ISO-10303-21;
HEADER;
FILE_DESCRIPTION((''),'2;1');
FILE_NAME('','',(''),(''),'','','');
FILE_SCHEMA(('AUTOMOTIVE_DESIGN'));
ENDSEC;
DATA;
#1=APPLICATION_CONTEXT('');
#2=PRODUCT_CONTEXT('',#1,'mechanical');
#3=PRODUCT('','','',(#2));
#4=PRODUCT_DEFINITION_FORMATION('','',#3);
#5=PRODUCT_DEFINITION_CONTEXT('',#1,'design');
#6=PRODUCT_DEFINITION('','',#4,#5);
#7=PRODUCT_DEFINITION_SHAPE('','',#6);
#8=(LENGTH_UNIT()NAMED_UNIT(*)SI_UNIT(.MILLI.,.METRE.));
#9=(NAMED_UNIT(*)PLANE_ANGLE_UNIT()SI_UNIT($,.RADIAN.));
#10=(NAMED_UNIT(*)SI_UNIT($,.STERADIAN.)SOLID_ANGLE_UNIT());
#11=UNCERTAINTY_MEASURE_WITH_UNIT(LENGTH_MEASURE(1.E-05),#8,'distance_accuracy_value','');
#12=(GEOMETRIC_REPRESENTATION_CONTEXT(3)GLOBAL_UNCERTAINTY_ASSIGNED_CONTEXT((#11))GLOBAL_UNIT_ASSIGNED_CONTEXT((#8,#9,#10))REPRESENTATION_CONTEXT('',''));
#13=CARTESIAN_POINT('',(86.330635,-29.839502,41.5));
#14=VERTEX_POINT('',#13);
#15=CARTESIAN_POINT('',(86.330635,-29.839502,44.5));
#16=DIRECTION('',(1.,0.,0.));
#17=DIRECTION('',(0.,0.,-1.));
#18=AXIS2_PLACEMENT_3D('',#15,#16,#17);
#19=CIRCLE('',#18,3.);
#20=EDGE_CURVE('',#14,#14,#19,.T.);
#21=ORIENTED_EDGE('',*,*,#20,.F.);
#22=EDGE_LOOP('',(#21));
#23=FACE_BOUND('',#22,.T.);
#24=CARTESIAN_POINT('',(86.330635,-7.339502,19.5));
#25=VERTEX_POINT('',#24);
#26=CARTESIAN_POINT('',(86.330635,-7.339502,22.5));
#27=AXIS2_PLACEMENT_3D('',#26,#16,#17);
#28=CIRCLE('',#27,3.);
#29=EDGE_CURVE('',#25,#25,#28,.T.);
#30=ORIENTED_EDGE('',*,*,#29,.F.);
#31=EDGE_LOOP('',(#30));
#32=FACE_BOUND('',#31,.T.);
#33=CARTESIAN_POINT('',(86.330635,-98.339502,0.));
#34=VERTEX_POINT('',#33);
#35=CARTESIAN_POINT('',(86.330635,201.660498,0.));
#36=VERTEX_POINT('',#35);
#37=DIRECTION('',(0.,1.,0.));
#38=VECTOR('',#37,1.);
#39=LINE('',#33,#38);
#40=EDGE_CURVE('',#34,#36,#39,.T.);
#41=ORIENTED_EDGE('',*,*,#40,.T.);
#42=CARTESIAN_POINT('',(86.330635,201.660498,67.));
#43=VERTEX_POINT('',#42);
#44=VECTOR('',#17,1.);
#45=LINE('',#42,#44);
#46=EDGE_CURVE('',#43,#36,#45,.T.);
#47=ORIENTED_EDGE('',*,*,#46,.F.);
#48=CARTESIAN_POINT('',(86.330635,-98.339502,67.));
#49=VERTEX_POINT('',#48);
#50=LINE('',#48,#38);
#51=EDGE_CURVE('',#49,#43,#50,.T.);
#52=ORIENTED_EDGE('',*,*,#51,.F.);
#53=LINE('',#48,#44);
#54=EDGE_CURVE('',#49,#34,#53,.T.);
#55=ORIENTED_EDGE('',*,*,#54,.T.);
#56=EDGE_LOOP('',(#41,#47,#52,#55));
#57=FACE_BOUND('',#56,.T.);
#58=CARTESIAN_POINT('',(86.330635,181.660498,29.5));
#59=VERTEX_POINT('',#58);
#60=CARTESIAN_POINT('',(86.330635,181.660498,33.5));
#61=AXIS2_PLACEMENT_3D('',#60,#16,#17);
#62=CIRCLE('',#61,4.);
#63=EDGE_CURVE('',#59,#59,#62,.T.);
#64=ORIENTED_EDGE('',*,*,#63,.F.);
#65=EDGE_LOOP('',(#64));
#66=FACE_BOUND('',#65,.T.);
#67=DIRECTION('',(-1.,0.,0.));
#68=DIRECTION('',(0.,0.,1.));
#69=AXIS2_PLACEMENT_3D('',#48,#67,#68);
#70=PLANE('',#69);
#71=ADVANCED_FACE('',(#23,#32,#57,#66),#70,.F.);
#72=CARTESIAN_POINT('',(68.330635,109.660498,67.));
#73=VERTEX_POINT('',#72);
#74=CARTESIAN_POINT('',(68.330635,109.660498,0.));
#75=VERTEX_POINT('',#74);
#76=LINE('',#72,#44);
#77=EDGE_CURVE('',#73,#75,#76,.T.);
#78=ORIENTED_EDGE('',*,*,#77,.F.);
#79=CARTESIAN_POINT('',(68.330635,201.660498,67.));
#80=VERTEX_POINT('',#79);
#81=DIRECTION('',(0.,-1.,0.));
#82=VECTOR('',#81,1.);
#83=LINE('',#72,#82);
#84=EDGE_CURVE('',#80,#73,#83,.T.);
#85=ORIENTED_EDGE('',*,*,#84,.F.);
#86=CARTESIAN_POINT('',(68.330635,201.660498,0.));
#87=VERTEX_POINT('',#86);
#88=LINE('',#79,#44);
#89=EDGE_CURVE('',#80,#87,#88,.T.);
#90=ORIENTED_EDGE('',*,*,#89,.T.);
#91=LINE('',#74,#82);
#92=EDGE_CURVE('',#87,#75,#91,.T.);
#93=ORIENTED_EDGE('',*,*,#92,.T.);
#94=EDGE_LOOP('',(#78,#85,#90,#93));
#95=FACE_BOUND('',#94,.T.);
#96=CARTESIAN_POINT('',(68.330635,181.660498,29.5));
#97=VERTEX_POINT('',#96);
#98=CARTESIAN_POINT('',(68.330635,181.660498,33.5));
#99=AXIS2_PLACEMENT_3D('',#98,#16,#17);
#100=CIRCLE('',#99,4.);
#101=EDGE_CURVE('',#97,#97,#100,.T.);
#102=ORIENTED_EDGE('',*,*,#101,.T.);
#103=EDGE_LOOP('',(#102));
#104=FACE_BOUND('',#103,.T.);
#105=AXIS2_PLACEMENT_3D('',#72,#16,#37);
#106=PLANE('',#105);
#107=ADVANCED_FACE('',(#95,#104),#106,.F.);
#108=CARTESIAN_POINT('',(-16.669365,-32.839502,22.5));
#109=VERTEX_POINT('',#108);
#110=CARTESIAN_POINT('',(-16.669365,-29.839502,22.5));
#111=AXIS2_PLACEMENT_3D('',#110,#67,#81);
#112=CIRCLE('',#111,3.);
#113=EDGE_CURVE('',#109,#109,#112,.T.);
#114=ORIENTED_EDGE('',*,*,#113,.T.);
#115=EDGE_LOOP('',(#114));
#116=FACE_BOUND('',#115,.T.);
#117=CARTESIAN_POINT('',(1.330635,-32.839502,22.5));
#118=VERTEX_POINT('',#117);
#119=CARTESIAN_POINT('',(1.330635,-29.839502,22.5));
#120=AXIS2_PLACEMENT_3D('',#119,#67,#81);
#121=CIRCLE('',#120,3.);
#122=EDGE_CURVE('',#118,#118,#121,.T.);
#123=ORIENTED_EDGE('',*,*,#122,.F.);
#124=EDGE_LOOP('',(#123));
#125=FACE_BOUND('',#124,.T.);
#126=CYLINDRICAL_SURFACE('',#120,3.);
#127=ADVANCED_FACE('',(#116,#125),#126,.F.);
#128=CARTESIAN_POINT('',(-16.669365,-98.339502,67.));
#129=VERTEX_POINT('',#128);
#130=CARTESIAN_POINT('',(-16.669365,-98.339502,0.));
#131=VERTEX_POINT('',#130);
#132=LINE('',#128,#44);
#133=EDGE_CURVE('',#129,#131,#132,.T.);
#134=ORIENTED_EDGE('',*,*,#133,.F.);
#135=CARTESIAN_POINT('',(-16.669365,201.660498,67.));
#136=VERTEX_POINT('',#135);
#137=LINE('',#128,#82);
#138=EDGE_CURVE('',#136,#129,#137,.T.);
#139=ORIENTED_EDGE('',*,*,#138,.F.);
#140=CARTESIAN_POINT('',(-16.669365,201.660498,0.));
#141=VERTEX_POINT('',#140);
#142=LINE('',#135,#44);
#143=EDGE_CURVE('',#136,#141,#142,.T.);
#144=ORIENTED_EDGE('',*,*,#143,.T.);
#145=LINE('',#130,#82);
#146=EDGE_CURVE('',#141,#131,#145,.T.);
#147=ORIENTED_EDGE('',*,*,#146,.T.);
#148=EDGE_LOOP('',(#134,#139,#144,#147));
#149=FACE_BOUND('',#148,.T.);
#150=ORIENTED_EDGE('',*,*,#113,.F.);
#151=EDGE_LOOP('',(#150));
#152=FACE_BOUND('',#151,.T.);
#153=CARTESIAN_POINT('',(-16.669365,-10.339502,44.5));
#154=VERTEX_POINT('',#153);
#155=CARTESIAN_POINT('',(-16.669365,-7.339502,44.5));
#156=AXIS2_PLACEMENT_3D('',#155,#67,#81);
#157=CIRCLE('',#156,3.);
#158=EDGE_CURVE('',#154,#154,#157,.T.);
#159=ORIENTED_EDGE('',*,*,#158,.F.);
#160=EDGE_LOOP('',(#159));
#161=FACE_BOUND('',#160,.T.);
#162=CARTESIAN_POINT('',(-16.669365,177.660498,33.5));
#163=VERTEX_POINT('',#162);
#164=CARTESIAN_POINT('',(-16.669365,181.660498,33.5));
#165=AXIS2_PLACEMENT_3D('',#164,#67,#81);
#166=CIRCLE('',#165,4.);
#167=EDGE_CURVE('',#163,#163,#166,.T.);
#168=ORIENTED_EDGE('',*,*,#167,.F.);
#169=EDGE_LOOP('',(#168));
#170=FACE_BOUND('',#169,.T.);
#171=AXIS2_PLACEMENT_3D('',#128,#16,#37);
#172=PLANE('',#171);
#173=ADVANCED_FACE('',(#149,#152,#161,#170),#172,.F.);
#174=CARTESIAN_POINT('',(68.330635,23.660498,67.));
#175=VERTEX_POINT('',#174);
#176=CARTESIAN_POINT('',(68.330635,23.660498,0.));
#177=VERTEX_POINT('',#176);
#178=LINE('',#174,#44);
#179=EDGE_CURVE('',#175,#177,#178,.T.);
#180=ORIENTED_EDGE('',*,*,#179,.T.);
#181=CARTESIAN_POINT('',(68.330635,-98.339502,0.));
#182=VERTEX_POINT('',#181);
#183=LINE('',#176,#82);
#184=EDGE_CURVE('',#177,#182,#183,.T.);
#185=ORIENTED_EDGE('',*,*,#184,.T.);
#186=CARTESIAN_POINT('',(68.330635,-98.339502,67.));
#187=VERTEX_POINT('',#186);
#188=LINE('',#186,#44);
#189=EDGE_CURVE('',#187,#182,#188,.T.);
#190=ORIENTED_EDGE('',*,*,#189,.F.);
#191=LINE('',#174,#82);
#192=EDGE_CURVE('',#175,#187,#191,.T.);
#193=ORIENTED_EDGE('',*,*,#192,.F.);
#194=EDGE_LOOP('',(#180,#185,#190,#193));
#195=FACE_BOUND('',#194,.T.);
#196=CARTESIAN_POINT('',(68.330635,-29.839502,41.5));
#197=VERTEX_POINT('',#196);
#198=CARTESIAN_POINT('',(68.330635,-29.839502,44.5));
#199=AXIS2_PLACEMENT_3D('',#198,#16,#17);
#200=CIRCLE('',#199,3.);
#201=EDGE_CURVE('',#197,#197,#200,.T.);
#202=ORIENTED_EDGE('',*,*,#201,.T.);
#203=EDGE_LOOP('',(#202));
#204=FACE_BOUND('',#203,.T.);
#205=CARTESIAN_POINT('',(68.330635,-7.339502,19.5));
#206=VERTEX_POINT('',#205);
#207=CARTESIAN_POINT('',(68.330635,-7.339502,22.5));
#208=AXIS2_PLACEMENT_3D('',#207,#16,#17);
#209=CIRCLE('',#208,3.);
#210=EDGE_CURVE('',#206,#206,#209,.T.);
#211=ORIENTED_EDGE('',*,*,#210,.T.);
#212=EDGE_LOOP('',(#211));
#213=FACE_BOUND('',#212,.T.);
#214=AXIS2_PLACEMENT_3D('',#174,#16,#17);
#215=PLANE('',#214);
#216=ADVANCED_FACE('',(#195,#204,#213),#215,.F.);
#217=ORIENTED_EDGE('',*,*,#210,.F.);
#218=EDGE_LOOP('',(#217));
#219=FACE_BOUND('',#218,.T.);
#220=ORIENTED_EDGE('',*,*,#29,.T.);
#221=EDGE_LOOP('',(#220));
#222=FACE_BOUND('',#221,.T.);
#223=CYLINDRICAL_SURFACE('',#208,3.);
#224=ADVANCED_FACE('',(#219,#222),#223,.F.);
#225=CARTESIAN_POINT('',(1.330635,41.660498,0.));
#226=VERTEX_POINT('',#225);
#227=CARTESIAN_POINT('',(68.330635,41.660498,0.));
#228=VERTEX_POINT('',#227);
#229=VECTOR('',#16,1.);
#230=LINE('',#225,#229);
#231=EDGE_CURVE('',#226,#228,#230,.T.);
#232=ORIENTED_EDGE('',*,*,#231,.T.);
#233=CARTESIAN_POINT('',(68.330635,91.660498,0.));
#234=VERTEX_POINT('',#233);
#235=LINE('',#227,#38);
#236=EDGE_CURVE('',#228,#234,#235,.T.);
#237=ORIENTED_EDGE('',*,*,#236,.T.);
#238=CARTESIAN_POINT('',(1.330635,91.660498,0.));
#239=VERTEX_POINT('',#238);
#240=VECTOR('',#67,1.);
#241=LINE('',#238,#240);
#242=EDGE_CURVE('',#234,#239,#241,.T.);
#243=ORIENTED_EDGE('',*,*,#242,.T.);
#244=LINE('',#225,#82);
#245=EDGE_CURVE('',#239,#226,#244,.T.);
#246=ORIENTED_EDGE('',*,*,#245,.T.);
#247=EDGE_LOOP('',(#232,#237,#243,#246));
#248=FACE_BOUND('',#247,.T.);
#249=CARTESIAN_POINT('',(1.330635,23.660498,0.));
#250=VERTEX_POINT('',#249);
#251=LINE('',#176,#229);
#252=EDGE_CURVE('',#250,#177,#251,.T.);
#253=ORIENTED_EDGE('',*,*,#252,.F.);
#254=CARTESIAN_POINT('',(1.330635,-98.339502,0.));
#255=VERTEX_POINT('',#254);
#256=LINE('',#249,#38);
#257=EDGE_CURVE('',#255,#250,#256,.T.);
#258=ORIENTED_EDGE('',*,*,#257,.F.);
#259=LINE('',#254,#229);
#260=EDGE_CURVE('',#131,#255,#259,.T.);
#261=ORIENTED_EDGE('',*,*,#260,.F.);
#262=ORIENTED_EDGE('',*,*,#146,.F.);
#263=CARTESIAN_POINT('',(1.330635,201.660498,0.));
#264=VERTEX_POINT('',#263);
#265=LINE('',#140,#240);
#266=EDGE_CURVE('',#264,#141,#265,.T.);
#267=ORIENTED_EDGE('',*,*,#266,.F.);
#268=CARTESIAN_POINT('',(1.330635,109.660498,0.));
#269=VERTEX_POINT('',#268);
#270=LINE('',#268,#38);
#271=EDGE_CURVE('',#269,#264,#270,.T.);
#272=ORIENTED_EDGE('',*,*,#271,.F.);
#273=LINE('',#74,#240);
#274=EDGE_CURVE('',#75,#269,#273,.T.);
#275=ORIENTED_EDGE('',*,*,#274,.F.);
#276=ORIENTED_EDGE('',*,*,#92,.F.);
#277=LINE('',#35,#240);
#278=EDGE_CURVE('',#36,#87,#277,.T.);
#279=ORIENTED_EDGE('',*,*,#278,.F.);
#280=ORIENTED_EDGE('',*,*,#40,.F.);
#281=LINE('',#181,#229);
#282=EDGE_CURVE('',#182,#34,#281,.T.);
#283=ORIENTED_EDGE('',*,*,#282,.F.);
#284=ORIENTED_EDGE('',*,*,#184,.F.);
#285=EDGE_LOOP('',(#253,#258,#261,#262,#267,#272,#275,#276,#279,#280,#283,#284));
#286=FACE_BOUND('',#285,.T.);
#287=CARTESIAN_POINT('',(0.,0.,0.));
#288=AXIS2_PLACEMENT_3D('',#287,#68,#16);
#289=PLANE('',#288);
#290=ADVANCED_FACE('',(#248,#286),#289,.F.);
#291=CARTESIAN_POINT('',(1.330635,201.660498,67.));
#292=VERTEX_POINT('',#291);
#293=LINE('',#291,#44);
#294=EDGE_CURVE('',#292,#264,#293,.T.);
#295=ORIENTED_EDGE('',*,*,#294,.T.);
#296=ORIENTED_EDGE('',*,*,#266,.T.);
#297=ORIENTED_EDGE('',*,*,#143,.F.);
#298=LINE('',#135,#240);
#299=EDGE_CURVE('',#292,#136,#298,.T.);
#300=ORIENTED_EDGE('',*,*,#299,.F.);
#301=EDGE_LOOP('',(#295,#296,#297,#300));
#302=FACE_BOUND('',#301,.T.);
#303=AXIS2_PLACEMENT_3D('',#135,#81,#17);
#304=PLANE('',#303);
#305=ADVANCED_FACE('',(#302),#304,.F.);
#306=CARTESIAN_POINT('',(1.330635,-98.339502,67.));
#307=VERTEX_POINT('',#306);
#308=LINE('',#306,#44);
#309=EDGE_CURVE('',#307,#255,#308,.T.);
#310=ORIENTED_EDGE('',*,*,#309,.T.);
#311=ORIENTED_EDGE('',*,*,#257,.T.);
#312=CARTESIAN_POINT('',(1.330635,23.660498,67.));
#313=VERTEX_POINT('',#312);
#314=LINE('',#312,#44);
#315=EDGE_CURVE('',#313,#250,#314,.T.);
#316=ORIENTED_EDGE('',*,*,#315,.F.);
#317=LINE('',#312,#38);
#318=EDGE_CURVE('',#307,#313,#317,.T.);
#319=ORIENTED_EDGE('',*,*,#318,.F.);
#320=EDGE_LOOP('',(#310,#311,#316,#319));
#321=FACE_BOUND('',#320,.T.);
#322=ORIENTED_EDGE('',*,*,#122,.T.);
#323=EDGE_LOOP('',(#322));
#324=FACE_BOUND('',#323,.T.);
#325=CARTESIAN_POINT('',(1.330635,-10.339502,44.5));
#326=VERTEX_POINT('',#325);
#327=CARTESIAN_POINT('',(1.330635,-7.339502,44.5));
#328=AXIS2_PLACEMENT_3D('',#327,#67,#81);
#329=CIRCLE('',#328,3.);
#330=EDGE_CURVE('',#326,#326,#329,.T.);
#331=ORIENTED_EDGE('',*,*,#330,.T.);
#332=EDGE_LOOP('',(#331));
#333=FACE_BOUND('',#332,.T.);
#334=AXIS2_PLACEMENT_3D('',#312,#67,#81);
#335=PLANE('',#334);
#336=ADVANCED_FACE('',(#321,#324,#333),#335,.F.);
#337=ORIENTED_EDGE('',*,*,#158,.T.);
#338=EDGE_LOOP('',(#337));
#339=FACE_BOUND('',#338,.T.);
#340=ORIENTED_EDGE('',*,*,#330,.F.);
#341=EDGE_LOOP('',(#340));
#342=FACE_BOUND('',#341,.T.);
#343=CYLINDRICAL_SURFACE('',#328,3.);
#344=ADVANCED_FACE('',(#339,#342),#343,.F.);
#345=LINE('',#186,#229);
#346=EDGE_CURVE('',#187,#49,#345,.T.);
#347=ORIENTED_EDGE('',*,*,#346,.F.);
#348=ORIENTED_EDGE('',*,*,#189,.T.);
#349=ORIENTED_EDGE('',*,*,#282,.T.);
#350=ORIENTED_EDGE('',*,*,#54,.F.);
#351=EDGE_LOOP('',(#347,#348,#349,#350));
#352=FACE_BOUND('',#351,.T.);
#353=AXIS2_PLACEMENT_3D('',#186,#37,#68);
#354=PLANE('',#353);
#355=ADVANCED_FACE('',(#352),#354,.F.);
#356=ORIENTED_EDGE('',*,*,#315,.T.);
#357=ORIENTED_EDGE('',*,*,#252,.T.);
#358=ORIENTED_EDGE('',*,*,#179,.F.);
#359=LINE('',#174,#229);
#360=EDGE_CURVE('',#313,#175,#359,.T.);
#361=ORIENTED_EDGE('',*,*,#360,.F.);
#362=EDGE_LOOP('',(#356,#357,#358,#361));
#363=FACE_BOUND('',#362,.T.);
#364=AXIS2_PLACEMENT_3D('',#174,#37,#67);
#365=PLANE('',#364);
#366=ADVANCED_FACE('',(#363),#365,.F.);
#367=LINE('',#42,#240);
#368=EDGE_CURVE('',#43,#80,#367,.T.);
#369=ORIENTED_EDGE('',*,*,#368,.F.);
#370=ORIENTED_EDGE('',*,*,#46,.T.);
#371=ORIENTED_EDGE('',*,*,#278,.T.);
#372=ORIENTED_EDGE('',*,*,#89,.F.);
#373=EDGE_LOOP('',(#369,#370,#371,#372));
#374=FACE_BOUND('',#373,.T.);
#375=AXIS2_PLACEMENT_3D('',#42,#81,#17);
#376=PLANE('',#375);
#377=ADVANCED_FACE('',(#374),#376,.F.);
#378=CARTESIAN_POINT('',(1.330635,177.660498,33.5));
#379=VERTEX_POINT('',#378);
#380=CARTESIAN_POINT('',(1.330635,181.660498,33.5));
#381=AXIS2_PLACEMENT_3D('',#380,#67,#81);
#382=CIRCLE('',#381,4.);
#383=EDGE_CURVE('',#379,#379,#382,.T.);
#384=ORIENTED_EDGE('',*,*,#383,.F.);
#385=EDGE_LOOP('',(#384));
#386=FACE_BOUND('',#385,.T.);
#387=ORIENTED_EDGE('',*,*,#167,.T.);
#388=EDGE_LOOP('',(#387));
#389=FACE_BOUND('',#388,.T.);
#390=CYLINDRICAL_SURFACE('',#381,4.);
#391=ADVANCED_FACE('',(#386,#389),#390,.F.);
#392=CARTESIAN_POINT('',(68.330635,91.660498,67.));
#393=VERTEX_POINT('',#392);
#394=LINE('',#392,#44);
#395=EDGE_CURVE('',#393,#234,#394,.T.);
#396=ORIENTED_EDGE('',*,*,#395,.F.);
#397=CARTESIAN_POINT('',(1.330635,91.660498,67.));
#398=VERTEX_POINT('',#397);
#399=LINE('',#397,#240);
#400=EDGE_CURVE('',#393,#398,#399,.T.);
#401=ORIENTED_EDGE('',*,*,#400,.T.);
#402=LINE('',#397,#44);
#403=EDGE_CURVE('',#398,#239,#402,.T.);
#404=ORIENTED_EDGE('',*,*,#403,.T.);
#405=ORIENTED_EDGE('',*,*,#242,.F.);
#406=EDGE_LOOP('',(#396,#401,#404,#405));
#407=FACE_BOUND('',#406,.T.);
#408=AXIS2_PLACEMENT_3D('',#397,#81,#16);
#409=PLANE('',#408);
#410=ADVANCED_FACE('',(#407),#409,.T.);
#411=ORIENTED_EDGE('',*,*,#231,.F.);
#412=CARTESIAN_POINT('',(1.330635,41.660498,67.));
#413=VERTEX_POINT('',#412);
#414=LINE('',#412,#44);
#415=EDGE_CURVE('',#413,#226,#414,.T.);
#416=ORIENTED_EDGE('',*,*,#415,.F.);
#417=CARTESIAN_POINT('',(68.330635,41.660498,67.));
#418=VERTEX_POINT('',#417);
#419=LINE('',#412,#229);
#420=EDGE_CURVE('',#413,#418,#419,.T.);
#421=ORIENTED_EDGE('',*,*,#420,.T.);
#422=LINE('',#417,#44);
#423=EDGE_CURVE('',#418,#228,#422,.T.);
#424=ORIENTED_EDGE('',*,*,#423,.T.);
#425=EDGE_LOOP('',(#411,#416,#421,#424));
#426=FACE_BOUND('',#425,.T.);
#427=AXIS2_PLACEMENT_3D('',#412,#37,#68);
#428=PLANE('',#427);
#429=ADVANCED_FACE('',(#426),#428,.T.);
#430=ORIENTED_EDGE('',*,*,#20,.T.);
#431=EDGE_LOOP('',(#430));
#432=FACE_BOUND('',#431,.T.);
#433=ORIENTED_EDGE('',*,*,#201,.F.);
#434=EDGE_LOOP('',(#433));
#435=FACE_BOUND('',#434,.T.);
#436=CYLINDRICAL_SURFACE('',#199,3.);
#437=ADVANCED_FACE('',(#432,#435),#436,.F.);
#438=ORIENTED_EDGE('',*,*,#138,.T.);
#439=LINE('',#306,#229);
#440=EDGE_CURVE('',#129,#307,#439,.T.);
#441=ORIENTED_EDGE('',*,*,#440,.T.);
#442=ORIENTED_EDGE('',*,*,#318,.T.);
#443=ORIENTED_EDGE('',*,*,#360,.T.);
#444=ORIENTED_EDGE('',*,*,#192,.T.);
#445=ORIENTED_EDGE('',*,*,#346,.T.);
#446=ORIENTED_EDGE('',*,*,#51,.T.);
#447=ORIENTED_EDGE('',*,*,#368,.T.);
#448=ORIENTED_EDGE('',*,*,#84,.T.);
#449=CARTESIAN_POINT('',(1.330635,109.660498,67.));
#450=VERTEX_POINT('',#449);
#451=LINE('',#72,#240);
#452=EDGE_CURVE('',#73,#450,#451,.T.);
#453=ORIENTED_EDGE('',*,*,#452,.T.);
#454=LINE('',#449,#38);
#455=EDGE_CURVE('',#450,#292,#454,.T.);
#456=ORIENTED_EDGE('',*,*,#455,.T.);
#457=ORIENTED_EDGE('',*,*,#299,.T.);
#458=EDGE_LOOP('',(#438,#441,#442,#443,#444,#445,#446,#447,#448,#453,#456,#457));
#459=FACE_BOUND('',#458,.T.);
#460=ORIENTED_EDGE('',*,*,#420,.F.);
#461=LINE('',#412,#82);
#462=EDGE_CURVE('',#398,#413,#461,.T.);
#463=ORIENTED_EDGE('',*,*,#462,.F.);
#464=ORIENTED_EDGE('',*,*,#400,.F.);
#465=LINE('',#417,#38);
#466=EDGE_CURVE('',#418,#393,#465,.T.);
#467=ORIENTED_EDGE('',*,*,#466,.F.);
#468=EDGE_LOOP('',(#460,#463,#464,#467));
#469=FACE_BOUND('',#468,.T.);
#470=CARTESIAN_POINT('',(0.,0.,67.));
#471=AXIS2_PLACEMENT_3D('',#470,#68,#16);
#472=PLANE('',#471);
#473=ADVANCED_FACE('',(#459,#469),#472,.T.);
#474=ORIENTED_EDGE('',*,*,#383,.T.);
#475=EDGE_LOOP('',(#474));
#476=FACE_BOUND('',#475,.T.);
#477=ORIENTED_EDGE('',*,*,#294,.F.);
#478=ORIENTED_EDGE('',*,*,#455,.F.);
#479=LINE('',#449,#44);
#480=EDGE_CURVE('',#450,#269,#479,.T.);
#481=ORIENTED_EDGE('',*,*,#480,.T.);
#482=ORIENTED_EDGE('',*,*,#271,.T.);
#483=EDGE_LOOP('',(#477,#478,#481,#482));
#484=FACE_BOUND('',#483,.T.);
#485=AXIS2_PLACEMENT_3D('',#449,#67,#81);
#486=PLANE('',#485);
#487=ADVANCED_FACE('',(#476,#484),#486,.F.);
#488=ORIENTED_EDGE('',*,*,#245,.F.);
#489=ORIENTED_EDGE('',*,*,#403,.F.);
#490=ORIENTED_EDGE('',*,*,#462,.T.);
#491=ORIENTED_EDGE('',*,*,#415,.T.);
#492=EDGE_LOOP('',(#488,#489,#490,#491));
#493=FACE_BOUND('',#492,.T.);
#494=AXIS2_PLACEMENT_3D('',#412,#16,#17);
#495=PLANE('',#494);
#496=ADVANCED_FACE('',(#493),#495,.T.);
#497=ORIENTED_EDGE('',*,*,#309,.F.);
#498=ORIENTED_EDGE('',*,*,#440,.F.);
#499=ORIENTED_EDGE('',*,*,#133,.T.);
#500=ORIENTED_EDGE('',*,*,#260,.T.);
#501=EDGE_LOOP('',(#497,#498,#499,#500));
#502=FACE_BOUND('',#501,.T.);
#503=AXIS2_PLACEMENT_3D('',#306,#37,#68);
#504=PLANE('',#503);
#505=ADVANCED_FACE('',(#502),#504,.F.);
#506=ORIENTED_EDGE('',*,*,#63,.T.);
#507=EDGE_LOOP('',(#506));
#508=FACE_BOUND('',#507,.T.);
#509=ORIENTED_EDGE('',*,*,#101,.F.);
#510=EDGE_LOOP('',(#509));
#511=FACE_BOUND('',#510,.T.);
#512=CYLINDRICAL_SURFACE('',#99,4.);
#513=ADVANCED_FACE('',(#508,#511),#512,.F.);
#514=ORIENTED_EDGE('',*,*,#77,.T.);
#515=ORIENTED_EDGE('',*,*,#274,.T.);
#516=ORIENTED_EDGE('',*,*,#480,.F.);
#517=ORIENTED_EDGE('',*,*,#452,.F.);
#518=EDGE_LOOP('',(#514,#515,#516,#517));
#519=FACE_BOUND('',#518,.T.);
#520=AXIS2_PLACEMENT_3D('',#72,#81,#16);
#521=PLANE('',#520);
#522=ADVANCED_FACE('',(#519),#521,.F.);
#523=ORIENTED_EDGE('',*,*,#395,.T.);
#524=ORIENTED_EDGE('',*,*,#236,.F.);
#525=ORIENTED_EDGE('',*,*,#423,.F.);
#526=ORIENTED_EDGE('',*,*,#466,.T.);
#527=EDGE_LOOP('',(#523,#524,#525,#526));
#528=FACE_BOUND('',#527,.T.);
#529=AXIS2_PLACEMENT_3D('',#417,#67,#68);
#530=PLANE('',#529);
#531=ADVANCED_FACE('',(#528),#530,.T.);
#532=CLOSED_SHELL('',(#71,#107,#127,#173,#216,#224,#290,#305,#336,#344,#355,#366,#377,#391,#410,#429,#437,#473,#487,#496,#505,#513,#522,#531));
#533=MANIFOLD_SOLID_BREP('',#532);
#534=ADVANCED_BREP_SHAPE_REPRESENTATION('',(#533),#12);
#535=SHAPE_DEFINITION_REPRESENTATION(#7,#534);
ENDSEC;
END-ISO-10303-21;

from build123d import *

# Parameters (mm, degrees)
SKETCH1_W           = 67
SKETCH1_H           = 50
BOSS_EXTRUDE3_DEPTH = 67
SKETCH2_R           = 3
SKETCH2_R_2         = 4
CUT_EXTRUDE1_DEPTH  = 18
CUT_EXTRUDE2_START  = -18
SKETCH3_R           = 3
SKETCH3_R_2         = 4
CUT_EXTRUDE2_DEPTH  = 18


with BuildPart() as part:
    # Sketch1 → Boss-Extrude3 (new body)
    with BuildSketch(Plane.XY):
        Polygon((1.330634734, 23.660498279), (1.330634734, -98.339501721), (-16.669365266, -98.339501721), (-16.669365266, 201.660498279), (1.330634734, 201.660498279), (1.330634734, 109.660498279), (68.330634734, 109.660498279), (68.330634734, 201.660498279), (86.330634734, 201.660498279), (86.330634734, -98.339501721), (68.330634734, -98.339501721), (68.330634734, 23.660498279), align=None)
        with Locations((34.830634734, 66.660498279)):
            Rectangle(SKETCH1_W, SKETCH1_H, mode=Mode.SUBTRACT)
    extrude(amount=BOSS_EXTRUDE3_DEPTH)

    # Sketch2 → Cut-Extrude1 (cut)
    with BuildSketch(Plane(origin=(86.330634734, 0, 0), x_dir=(0, 0, -1), z_dir=(1, 0, 0))):
        with Locations((-44.5, -29.839501721)):
            Circle(SKETCH2_R)
        with Locations((-22.5, -7.339501721)):
            Circle(SKETCH2_R)
        with Locations((-33.5, 181.660498279)):
            Circle(SKETCH2_R_2)
    extrude(amount=-CUT_EXTRUDE1_DEPTH, mode=Mode.SUBTRACT)

    # Sketch3 → Cut-Extrude2 (cut)
    with BuildSketch(Plane.ZY.offset(16.669365266).offset(CUT_EXTRUDE2_START)):
        with Locations(Location((22.5, -29.839501721, 0), (0, 0, 270))):
            Circle(SKETCH3_R)
        with Locations(Location((44.5, -7.339501721, 0), (0, 0, 270))):
            Circle(SKETCH3_R)
        with Locations(Location((33.5, 181.660498279, 0), (0, 0, 180))):
            Circle(SKETCH3_R_2)
    extrude(amount=CUT_EXTRUDE2_DEPTH, mode=Mode.SUBTRACT)


solid = part.part
